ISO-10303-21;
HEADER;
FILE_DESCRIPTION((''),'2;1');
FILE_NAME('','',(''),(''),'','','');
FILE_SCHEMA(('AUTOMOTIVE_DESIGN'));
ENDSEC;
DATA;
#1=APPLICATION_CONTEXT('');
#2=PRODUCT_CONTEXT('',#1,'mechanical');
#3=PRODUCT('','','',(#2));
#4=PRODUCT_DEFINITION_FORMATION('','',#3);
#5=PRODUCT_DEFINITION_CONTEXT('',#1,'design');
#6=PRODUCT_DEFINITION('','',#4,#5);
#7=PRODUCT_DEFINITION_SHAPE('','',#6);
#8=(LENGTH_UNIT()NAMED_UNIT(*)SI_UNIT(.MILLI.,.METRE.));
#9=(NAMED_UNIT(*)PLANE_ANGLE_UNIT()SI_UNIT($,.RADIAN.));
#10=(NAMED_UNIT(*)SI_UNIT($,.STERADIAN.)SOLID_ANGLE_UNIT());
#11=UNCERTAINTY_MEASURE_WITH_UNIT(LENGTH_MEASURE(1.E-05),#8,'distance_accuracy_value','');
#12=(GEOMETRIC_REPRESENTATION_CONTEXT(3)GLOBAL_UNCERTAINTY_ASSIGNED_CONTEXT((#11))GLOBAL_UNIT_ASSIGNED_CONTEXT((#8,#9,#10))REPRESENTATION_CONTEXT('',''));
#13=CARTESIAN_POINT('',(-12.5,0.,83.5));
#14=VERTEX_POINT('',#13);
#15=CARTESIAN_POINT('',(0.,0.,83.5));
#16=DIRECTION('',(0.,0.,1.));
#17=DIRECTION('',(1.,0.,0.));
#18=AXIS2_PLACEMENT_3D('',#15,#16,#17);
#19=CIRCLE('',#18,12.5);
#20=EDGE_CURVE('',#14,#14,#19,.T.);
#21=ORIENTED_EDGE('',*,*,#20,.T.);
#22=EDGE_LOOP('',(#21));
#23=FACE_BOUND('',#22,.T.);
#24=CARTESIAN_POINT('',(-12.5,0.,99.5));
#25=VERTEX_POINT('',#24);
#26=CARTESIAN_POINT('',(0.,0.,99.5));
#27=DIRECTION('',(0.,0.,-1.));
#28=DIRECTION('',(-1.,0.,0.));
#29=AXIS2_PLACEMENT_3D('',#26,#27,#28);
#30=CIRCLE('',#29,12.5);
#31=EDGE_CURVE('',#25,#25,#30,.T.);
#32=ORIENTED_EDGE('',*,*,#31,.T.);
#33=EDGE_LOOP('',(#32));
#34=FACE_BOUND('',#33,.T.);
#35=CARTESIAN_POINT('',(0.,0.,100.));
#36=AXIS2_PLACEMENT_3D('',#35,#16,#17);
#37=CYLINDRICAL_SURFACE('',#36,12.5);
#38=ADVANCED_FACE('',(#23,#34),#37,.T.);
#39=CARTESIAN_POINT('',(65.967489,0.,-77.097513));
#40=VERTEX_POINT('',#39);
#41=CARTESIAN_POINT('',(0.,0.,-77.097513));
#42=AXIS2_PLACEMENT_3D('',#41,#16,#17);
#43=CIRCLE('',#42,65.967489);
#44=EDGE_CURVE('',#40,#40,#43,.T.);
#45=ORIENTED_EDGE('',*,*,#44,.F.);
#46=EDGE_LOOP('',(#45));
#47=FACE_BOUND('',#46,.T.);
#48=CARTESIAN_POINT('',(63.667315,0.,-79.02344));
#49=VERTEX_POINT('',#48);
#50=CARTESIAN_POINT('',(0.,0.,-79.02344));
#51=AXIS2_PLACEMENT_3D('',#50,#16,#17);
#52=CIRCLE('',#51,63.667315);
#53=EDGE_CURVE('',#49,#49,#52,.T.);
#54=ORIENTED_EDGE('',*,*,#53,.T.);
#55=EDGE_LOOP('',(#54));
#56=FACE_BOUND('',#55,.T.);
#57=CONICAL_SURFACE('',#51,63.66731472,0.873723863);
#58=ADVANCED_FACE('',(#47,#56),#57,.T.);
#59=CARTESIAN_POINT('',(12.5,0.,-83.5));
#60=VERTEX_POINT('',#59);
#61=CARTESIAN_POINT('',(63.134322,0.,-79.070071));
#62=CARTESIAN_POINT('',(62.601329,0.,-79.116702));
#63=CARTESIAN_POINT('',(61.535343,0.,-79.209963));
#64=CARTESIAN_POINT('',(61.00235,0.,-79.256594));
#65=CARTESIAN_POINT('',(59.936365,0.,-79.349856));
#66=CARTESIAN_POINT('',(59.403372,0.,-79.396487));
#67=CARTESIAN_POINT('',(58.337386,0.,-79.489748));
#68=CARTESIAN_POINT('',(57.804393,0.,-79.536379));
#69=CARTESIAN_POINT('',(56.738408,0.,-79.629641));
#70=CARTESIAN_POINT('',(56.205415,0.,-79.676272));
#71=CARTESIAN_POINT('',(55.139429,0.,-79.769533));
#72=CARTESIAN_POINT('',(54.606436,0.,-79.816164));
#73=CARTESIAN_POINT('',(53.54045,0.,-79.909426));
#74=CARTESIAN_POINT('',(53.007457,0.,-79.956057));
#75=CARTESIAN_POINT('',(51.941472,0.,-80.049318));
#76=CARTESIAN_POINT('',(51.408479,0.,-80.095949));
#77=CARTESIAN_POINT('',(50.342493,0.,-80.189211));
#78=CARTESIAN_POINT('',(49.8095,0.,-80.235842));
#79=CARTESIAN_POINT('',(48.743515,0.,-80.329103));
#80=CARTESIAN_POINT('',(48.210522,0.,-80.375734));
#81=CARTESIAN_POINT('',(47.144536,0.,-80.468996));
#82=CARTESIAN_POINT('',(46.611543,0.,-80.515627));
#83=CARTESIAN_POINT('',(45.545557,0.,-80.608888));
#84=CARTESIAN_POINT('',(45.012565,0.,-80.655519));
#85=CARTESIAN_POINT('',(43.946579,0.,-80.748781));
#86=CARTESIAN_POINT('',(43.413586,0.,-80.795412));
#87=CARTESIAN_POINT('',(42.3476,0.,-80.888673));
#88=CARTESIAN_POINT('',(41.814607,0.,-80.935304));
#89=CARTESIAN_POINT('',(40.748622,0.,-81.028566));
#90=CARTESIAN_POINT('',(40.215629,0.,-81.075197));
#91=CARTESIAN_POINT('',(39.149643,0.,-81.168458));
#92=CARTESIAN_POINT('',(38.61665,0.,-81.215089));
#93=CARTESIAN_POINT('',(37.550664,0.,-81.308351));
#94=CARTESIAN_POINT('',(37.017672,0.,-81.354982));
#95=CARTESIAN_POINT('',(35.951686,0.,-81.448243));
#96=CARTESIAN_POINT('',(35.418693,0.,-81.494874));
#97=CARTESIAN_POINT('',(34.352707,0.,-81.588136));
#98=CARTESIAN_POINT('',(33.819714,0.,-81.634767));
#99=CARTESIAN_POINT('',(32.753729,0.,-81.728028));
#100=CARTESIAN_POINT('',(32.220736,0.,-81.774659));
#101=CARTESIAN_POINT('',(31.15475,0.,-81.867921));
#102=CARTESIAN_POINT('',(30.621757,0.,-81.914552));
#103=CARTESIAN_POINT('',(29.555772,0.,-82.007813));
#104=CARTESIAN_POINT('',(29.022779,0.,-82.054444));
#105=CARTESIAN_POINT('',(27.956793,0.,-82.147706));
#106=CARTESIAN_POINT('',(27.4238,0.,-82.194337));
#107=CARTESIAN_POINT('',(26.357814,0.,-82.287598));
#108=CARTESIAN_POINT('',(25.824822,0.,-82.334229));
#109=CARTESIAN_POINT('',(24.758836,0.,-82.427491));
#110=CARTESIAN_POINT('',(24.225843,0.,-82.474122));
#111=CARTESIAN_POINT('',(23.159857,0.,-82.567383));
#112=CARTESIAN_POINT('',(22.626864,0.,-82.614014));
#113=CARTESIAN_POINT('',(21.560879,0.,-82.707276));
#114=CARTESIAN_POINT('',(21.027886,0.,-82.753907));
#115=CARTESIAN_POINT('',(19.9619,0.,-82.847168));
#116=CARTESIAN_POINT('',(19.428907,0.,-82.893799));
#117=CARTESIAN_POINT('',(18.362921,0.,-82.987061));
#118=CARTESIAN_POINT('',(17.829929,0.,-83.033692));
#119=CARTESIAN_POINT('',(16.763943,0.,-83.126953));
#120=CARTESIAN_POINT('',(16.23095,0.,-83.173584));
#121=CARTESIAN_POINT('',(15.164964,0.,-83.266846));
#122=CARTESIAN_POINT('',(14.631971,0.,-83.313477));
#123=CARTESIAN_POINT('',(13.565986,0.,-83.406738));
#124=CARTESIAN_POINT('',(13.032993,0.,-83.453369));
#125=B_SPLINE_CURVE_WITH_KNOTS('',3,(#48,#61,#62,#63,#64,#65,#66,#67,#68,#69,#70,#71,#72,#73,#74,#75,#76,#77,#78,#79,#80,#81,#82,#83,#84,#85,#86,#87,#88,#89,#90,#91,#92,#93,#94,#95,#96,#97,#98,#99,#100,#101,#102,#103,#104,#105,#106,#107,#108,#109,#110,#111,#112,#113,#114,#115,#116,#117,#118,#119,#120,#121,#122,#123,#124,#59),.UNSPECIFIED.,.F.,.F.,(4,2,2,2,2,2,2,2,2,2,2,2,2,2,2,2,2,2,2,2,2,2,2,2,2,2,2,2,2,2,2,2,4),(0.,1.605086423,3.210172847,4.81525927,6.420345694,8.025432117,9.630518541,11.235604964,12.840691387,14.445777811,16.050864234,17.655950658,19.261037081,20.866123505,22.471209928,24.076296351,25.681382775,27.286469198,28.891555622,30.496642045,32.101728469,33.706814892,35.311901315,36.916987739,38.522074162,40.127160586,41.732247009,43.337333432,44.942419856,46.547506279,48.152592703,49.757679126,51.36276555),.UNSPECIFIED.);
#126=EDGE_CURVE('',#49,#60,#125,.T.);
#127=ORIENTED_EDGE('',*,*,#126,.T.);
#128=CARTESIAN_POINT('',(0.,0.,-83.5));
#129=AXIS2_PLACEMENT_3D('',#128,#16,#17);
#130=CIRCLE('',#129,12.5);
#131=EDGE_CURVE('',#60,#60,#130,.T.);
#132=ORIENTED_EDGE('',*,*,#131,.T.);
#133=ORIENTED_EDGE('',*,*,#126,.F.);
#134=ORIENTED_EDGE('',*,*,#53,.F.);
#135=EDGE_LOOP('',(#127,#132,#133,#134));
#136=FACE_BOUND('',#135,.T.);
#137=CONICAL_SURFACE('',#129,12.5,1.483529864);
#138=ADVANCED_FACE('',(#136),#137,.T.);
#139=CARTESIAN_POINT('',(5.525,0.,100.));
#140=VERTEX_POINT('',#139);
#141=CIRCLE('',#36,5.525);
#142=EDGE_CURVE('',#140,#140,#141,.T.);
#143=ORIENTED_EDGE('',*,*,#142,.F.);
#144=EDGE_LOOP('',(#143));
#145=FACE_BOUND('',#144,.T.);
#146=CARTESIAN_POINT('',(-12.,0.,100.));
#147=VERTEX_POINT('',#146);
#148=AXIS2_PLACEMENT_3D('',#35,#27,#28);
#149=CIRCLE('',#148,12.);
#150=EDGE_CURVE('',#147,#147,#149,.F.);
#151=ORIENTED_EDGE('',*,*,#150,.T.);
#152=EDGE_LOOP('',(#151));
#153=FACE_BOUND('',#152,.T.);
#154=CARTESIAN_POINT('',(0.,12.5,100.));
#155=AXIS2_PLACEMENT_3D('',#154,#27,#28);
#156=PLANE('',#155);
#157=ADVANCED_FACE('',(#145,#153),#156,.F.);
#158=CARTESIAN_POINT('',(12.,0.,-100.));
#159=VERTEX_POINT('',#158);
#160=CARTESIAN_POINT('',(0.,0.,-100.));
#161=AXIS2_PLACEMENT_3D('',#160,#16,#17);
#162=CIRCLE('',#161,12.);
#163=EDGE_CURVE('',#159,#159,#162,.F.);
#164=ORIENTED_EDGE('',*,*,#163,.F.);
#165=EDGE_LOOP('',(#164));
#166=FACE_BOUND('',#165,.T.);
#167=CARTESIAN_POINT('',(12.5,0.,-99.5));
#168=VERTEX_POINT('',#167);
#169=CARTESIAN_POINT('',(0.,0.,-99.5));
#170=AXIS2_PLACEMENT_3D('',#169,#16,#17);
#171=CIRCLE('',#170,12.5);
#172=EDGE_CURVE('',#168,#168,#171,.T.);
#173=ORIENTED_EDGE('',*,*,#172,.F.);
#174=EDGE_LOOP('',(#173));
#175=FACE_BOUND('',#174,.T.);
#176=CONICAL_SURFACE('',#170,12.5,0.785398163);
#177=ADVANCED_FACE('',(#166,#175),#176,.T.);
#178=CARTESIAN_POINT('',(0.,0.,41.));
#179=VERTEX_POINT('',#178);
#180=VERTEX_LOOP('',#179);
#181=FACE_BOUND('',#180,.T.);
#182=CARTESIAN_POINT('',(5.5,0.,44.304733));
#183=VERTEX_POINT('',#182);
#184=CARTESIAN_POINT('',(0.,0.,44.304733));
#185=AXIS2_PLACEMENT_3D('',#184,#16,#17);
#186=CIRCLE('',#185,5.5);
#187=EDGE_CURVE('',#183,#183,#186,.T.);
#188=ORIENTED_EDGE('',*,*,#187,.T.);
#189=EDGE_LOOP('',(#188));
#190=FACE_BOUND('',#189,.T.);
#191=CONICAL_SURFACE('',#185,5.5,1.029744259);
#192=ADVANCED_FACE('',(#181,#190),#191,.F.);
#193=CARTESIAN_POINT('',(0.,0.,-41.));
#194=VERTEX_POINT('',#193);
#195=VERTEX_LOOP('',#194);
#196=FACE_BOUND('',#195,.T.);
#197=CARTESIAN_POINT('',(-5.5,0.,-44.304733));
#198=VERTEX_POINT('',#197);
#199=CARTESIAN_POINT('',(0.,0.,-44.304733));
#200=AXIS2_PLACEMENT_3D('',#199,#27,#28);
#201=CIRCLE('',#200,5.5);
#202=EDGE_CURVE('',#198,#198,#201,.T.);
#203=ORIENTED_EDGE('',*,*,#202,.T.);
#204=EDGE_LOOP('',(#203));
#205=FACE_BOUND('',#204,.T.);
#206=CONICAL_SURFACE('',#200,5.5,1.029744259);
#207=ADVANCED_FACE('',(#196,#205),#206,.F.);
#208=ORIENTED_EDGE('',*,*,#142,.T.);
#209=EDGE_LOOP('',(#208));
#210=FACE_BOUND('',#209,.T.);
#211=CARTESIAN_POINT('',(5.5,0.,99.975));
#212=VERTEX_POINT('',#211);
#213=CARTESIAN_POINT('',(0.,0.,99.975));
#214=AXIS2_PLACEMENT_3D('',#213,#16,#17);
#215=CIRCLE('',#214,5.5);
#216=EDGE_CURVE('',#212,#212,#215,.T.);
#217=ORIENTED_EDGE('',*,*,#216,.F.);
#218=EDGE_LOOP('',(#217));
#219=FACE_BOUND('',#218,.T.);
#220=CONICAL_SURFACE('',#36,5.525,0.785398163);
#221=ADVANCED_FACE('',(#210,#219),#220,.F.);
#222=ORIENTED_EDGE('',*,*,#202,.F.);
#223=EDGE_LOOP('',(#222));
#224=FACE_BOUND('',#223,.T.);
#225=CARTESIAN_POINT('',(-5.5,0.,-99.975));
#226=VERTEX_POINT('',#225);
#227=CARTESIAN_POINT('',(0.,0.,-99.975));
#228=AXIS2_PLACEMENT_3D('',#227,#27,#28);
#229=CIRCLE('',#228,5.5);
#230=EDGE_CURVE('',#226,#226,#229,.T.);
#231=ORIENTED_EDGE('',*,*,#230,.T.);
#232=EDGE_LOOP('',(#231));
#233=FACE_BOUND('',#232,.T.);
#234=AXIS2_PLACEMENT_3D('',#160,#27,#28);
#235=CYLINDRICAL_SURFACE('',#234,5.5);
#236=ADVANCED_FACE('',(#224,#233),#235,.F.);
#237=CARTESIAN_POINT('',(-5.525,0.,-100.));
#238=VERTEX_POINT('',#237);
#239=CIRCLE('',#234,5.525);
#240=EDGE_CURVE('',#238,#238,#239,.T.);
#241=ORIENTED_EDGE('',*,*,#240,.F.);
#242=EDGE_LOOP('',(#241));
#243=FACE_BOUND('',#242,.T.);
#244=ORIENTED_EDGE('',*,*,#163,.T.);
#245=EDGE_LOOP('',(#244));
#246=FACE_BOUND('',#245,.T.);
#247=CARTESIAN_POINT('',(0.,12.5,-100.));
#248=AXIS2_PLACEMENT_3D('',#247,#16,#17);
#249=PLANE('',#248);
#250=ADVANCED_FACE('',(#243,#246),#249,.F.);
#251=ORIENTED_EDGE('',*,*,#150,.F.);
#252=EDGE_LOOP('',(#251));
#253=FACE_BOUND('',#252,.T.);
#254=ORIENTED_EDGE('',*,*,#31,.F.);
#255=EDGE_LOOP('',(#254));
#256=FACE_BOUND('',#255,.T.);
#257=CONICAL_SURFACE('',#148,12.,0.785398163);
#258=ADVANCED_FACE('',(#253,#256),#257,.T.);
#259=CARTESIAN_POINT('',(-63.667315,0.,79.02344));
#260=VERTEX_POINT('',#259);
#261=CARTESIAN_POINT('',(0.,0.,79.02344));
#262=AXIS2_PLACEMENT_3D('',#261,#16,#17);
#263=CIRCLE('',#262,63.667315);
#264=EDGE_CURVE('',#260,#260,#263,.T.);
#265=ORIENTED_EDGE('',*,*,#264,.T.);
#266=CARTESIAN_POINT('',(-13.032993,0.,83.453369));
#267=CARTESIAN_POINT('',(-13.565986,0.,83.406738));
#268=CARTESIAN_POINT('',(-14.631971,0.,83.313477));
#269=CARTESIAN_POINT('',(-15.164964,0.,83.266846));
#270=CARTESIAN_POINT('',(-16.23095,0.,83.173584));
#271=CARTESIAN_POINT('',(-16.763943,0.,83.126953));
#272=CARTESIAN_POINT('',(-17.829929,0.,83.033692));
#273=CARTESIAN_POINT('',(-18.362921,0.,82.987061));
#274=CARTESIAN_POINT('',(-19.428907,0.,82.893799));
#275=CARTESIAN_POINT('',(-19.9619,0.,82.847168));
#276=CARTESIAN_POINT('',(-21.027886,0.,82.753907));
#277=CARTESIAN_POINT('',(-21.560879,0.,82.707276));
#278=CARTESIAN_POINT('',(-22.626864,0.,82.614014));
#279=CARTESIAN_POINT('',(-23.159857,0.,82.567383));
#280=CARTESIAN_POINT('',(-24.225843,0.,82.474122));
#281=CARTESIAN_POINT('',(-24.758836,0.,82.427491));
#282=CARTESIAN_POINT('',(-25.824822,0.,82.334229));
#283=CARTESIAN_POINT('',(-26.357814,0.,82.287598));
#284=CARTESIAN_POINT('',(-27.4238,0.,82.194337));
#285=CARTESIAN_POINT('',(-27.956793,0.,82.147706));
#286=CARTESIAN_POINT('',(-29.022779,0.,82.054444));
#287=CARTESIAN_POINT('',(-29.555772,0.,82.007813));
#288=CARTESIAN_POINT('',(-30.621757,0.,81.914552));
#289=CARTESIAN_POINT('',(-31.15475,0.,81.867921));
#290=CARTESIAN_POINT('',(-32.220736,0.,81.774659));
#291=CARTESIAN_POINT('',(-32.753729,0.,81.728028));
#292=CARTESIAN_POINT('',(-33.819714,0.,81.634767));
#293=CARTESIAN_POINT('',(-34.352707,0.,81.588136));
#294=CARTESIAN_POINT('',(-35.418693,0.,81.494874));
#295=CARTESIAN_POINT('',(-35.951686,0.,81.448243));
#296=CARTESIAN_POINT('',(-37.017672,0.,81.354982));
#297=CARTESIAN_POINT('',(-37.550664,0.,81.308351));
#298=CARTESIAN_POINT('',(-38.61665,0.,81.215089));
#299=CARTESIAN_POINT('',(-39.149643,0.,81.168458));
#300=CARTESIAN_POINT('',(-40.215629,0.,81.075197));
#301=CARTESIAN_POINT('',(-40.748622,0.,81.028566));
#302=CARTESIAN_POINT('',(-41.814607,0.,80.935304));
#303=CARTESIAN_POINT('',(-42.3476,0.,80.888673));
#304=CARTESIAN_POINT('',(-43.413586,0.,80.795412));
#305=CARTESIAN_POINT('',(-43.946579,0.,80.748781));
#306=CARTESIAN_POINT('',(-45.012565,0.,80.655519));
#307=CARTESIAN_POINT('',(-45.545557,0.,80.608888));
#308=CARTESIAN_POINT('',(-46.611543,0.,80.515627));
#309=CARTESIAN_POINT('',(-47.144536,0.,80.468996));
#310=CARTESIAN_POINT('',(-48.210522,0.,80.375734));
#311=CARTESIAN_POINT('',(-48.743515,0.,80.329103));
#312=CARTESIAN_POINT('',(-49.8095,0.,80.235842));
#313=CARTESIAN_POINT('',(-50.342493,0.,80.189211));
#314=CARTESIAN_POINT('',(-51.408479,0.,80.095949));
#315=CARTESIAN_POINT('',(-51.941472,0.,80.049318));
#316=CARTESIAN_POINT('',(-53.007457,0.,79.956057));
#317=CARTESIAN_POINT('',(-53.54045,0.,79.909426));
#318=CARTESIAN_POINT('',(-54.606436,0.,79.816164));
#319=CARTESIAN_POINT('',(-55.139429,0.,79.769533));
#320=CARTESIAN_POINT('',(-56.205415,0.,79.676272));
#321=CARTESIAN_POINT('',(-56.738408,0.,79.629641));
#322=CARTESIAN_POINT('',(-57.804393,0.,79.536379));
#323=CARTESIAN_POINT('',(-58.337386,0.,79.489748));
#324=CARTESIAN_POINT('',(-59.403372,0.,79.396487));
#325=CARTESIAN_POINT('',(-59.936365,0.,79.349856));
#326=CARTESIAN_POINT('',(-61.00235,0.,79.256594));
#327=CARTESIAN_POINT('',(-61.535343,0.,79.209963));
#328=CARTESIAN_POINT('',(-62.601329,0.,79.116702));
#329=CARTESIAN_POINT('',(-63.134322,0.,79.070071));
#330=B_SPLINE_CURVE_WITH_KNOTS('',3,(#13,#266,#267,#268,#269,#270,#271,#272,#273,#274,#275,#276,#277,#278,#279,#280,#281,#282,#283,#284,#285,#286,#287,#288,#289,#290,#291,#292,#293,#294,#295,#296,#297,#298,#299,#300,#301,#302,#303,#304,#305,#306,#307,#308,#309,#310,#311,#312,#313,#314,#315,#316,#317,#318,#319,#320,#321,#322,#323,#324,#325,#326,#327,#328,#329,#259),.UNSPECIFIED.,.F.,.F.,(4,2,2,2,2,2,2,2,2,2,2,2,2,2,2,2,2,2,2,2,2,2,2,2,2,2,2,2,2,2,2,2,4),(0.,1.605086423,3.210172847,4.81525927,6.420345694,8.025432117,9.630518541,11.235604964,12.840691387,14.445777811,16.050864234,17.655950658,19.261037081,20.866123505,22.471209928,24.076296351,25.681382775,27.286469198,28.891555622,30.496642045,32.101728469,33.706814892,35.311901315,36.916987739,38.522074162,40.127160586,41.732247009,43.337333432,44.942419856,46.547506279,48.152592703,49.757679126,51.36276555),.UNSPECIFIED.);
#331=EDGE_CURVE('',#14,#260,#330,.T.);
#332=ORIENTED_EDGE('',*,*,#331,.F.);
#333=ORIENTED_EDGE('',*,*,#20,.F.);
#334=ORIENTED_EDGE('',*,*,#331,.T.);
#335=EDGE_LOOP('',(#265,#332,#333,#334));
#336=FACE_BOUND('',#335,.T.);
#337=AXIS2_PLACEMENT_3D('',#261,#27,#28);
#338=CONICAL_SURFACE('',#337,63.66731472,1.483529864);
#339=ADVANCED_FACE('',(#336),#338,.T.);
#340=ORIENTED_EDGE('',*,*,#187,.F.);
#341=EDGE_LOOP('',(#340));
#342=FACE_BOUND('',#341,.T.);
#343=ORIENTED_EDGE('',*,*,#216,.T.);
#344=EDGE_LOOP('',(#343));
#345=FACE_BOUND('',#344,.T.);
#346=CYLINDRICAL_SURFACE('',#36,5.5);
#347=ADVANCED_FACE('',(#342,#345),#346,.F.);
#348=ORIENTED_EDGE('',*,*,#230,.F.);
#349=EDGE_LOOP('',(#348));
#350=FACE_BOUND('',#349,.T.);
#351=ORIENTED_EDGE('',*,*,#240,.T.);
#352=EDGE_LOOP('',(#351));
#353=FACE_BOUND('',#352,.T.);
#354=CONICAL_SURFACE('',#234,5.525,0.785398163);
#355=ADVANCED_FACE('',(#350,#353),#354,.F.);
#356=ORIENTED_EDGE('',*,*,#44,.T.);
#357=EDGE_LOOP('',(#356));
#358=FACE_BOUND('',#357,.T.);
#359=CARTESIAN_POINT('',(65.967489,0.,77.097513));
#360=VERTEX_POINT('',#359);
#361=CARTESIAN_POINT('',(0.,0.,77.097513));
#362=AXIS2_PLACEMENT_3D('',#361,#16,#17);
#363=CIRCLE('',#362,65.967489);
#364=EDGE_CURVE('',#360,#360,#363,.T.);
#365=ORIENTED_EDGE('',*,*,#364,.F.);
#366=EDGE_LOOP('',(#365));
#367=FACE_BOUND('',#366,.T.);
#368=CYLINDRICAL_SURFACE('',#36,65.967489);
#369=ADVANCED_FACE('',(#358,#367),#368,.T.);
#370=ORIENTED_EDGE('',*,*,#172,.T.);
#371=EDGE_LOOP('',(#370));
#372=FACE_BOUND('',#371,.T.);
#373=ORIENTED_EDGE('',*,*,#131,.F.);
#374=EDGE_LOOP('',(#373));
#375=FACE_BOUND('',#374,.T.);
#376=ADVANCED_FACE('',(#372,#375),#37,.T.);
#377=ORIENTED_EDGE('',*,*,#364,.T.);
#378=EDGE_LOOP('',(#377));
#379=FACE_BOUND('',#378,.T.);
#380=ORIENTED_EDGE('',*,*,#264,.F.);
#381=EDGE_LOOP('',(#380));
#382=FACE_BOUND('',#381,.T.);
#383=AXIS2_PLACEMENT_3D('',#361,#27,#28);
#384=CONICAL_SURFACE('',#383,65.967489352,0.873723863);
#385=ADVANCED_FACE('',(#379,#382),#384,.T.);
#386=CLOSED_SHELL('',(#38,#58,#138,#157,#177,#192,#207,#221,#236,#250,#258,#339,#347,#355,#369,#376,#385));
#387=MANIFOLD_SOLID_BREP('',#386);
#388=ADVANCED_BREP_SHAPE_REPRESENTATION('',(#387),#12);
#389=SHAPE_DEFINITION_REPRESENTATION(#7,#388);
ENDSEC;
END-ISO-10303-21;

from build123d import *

# Parameters (mm, degrees)
M10_CLEARANCE_HOLE2_D                     = 11
M10_CLEARANCE_HOLE2_DEPTH                 = 55.695266595
M10_CLEARANCE_HOLE2_CSINK_D               = 11.05
M10_CLEARANCE_HOLE2_CSINK_ANGLE           = 90
M10_CLEARANCE_HOLE2_TIP                   = 3.304733405
M10_CLEARANCE_HOLE2_ON_FACE_2_D           = 11
M10_CLEARANCE_HOLE2_ON_FACE_2_DEPTH       = 55.695266595
M10_CLEARANCE_HOLE2_ON_FACE_2_CSINK_D     = 11.05
M10_CLEARANCE_HOLE2_ON_FACE_2_CSINK_ANGLE = 90
M10_CLEARANCE_HOLE2_ON_FACE_2_TIP         = 3.304733405
CHAMFER1_SIZE                             = 0.5


with BuildPart() as part:
    # Sketch1 → Revolve1 (revolve)
    with BuildSketch(Plane(origin=(0, 0, 0), x_dir=(0, 0, -1), z_dir=(1, 0, 0)), mode=Mode.PRIVATE) as revolve1_sk:
        Polygon((-100, 0), (100, 0), (100, 12.5), (83.5, 12.5), (79.023440019, 63.66731472), (77.097512539, 65.967489352), (-77.097512539, 65.967489352), (-79.023440019, 63.66731472), (-83.5, 12.5), (-100, 12.5), align=None)
    revolve(revolve1_sk.sketch.rotate(Axis((0, 0, 100), (0, 0, -1)), 90), axis=Axis((0, 0, 100), (0, 0, -1)))

    # M10 Clearance Hole2
    with Locations(Plane(origin=(0, 0, -100), x_dir=(-1, 0, 0), z_dir=(0, 0, -1))):
        with Locations((0, 0)):
            CounterSinkHole(M10_CLEARANCE_HOLE2_D / 2, M10_CLEARANCE_HOLE2_CSINK_D / 2, depth=M10_CLEARANCE_HOLE2_DEPTH, counter_sink_angle=M10_CLEARANCE_HOLE2_CSINK_ANGLE)
            with Locations((0, 0, -(M10_CLEARANCE_HOLE2_DEPTH + M10_CLEARANCE_HOLE2_TIP / 2))):  # 118° drill point
                Cone(0, M10_CLEARANCE_HOLE2_D / 2, M10_CLEARANCE_HOLE2_TIP, mode=Mode.SUBTRACT)

    # M10 Clearance Hole2 on face 2
    with Locations(Plane.XY.offset(100)):
        with Locations((0, 0)):
            CounterSinkHole(M10_CLEARANCE_HOLE2_ON_FACE_2_D / 2, M10_CLEARANCE_HOLE2_ON_FACE_2_CSINK_D / 2, depth=M10_CLEARANCE_HOLE2_ON_FACE_2_DEPTH, counter_sink_angle=M10_CLEARANCE_HOLE2_ON_FACE_2_CSINK_ANGLE)
            with Locations((0, 0, -(M10_CLEARANCE_HOLE2_ON_FACE_2_DEPTH + M10_CLEARANCE_HOLE2_ON_FACE_2_TIP / 2))):  # 118° drill point
                Cone(0, M10_CLEARANCE_HOLE2_ON_FACE_2_D / 2, M10_CLEARANCE_HOLE2_ON_FACE_2_TIP, mode=Mode.SUBTRACT)

    # Chamfer1
    chamfer1_edges = [part.edges().sort_by_distance(p)[0] for p in [
        (-12.5, 0, -100),
        (-12.5, 0, 100),
    ]]
    chamfer(chamfer1_edges, length=CHAMFER1_SIZE)


solid = part.part
